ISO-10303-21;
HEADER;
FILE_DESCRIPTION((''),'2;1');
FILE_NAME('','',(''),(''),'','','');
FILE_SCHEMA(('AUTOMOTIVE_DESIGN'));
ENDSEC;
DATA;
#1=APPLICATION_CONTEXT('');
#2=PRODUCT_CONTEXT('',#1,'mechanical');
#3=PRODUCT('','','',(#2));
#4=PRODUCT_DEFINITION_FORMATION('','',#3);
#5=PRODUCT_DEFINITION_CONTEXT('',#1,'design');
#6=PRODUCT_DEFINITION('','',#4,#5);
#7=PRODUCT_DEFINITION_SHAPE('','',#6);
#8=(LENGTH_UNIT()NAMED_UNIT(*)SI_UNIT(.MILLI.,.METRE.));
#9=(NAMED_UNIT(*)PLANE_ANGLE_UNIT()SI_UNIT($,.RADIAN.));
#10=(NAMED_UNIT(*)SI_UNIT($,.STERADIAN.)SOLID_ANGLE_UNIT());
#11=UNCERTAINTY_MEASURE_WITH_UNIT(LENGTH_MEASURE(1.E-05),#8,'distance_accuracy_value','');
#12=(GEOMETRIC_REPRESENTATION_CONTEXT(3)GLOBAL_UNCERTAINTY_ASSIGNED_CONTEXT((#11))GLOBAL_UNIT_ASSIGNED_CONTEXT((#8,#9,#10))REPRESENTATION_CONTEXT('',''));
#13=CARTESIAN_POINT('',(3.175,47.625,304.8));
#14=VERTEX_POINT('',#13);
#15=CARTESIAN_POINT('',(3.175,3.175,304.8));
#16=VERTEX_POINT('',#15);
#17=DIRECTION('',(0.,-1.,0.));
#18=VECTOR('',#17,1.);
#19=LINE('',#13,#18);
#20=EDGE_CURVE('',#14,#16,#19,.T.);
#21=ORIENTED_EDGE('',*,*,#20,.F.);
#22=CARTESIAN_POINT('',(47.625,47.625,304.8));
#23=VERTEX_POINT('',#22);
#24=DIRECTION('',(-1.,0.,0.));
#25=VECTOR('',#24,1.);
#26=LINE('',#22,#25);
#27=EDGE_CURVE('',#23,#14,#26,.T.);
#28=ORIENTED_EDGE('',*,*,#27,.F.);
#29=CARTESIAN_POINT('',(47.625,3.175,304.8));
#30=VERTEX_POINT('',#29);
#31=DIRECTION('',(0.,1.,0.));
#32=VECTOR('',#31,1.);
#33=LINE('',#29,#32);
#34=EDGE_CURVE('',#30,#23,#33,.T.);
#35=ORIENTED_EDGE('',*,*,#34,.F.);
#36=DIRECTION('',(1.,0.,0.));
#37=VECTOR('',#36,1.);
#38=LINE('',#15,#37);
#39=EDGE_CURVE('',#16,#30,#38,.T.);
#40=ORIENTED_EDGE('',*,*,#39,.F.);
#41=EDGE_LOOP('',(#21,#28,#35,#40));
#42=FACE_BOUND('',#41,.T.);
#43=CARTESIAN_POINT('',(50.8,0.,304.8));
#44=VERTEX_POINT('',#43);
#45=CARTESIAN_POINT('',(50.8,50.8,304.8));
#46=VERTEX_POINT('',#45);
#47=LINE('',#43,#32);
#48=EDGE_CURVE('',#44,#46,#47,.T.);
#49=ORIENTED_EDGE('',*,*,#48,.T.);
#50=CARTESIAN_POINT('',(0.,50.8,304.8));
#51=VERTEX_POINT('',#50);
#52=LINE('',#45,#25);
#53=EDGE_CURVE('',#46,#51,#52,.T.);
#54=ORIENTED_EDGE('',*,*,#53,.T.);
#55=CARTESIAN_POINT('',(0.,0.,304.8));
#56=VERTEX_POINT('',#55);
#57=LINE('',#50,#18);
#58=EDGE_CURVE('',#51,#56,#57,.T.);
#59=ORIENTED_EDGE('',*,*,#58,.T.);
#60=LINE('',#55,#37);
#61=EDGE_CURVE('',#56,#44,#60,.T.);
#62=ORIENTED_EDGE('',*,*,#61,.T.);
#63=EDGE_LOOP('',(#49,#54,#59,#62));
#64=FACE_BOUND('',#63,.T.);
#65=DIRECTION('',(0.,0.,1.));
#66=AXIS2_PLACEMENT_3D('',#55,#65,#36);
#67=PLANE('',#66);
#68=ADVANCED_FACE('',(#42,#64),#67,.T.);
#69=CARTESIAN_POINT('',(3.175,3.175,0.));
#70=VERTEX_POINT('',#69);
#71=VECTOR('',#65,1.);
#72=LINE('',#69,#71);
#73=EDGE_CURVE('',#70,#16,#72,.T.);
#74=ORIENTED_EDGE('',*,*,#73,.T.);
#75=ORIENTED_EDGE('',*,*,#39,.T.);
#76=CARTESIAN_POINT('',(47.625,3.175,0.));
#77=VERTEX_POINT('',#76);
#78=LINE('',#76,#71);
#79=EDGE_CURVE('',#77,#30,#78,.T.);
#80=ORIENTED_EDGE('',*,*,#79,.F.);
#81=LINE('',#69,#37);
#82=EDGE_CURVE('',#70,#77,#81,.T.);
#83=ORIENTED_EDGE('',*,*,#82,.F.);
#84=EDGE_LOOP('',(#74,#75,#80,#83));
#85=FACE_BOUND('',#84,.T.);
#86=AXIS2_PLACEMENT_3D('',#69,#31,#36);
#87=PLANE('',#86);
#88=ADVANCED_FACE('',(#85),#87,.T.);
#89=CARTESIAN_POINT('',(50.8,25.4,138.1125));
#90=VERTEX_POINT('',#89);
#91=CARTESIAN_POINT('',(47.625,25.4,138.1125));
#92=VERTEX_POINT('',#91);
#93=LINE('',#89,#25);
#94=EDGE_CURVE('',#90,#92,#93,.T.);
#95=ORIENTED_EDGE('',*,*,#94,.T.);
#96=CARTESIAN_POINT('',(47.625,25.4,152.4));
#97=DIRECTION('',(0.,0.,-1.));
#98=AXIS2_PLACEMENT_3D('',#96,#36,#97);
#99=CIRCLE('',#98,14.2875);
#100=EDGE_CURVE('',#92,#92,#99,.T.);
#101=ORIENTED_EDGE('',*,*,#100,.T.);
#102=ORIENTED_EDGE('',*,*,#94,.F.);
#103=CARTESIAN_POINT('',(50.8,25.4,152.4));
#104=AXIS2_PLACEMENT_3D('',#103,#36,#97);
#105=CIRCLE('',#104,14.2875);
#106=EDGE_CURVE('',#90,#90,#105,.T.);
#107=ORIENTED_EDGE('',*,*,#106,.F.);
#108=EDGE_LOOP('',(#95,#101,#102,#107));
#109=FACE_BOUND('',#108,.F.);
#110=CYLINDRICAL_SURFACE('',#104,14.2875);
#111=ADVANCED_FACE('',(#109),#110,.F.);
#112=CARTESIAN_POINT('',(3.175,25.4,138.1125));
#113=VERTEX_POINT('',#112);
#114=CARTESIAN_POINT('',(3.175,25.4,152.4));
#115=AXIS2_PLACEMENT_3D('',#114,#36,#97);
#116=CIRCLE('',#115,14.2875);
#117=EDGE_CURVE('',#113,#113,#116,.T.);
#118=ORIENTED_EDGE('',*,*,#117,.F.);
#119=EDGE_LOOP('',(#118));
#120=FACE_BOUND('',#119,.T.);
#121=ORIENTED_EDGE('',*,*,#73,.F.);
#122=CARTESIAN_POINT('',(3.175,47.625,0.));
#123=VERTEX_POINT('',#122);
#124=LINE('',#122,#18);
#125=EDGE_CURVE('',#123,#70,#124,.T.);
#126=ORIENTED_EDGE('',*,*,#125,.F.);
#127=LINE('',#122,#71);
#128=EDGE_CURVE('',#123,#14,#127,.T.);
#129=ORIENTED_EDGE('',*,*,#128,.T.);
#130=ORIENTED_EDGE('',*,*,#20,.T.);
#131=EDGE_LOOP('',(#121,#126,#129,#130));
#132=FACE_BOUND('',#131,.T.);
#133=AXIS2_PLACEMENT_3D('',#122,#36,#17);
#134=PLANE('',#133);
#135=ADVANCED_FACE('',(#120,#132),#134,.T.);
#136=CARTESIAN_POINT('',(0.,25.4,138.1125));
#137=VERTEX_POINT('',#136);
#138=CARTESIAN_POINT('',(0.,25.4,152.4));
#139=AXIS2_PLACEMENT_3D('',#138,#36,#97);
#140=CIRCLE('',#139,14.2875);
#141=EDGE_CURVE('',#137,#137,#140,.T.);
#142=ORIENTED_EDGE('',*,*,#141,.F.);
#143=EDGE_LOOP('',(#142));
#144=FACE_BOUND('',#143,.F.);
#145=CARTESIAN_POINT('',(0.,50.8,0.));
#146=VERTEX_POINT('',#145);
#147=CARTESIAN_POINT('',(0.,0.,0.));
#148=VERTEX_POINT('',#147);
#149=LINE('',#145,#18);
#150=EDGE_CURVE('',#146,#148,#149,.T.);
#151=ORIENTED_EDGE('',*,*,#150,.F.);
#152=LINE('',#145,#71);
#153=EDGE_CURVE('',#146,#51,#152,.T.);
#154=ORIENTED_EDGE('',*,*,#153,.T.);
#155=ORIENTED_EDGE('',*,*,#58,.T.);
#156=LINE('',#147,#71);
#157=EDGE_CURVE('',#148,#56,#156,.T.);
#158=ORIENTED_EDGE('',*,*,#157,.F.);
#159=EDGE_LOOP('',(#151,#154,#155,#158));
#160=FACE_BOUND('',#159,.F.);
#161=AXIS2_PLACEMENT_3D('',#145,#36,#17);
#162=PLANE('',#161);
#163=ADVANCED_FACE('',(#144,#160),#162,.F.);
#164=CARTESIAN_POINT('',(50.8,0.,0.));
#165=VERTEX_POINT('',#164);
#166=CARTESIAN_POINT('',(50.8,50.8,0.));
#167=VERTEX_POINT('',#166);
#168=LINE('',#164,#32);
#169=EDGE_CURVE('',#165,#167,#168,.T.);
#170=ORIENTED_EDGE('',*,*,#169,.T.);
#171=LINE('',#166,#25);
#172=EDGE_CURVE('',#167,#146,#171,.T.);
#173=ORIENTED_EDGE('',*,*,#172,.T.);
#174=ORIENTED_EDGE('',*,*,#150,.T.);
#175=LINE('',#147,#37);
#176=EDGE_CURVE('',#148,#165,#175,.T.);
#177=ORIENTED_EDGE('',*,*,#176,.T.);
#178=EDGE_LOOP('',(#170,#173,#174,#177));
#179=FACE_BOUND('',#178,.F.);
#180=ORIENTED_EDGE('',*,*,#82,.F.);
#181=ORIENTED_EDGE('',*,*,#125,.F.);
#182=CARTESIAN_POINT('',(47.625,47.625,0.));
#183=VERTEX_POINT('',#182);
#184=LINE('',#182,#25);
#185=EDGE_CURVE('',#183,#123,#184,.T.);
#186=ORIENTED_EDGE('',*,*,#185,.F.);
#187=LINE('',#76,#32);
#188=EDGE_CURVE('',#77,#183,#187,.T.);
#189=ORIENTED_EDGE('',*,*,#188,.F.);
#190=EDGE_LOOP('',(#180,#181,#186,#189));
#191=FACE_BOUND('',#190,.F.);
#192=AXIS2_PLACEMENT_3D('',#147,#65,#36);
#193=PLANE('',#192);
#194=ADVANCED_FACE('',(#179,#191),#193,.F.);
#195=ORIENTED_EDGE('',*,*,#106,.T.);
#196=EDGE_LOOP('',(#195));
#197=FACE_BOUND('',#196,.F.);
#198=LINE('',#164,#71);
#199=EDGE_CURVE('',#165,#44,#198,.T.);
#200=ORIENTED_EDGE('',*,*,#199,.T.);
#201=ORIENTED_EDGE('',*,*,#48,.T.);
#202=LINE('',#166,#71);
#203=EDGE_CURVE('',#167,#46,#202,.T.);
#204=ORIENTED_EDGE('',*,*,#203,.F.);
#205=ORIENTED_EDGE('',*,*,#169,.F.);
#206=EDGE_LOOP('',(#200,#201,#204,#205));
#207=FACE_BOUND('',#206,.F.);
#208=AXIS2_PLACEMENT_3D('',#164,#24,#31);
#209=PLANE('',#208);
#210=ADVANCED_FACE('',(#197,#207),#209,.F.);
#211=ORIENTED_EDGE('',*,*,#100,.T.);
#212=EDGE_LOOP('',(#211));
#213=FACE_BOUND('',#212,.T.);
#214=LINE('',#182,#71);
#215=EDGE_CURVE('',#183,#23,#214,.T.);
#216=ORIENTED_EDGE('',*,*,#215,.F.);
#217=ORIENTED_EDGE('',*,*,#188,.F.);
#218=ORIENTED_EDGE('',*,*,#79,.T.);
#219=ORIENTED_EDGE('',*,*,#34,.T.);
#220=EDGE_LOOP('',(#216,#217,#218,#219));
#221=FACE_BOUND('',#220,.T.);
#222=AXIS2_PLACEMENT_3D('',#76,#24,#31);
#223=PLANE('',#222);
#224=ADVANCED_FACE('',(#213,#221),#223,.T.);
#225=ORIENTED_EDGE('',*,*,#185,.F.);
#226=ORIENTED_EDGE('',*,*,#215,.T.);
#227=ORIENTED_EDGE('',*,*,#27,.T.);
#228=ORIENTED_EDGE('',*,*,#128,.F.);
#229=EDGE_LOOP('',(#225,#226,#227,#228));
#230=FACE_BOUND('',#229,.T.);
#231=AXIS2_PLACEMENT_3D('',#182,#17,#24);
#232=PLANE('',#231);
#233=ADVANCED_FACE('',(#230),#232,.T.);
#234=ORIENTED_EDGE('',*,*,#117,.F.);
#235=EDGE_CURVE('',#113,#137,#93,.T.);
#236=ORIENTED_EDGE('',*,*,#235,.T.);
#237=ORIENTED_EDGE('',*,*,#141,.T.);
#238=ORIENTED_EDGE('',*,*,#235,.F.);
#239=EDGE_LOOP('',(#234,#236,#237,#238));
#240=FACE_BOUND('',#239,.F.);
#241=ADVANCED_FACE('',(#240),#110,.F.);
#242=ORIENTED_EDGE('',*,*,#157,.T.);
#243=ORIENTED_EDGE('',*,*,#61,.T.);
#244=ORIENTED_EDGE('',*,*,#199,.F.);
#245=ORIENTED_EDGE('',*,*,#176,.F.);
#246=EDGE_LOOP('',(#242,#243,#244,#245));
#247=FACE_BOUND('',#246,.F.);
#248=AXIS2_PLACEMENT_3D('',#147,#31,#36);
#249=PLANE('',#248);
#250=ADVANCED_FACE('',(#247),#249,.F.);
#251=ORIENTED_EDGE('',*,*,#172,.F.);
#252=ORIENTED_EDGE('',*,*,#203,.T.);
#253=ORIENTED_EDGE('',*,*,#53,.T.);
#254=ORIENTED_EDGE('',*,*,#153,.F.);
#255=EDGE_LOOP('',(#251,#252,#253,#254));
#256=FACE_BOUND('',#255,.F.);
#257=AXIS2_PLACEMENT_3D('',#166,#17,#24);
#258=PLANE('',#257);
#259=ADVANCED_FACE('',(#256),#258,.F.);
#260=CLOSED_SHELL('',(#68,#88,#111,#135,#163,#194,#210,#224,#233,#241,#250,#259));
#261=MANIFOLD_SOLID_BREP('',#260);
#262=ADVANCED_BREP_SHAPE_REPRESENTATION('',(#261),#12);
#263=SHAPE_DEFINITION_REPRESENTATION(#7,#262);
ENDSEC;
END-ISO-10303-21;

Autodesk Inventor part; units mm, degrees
ref_plane "YZ Plane" through (0, 0, 0) normal (1, 0, 0) x (0, 1, 0)
ref_plane "XZ Plane" through (0, 0, 0) normal (0, 1, 0) x (-1, 0, 0)
ref_plane "XY Plane" through (0, 0, 0) normal (0, 0, 1) x (1, 0, 0)
sketch "Sketch1" plane through (0, 0, 0) normal (0, 0, 1) x (1, 0, 0)
  line L0 (0, 0) -> (50.8, 0)
  line L1 (50.8, 0) -> (50.8, 50.8)
  line L2 (50.8, 50.8) -> (0, 50.8)
  line L3 (0, 50.8) -> (0, 0)
  line L4 (3.175, 3.175) -> (47.625, 3.175)
  line L5 (47.625, 3.175) -> (47.625, 47.625)
  line L6 (47.625, 47.625) -> (3.175, 47.625)
  line L7 (3.175, 47.625) -> (3.175, 3.175)
  dimension "d0" = 50.8
  dimension "d1" = 50.8
  dimension "d2" = 44.45
  dimension "d3" = 44.45
  dimension "d4" = 3.175
  dimension "d5" = 3.175
extrude "Extrusion1" add sketch "Sketch1" along normal blind 304.8
sketch "Sketch2" plane through (50.8, 0, 0) normal (1, 0, 0) x (0, 0, -1)
  line L0 (0, 0) -> (0, 50.8) projected
  line L1 (0, 50.8) -> (-304.8, 50.8) projected
  circle A0 centre (-152.4, 25.4) radius 14.2875
  dimension "d8" = 28.575
  dimension "d9" = 25.4
  dimension "d10" = 152.4
extrude "Extrusion2" cut sketch "Sketch2" against normal through all
ref_plane "Work Plane1" through (25.4, 3.175, 0) normal (-1, 0, 0) x (0, 0, 1)
properties part number "Frame Segment"
